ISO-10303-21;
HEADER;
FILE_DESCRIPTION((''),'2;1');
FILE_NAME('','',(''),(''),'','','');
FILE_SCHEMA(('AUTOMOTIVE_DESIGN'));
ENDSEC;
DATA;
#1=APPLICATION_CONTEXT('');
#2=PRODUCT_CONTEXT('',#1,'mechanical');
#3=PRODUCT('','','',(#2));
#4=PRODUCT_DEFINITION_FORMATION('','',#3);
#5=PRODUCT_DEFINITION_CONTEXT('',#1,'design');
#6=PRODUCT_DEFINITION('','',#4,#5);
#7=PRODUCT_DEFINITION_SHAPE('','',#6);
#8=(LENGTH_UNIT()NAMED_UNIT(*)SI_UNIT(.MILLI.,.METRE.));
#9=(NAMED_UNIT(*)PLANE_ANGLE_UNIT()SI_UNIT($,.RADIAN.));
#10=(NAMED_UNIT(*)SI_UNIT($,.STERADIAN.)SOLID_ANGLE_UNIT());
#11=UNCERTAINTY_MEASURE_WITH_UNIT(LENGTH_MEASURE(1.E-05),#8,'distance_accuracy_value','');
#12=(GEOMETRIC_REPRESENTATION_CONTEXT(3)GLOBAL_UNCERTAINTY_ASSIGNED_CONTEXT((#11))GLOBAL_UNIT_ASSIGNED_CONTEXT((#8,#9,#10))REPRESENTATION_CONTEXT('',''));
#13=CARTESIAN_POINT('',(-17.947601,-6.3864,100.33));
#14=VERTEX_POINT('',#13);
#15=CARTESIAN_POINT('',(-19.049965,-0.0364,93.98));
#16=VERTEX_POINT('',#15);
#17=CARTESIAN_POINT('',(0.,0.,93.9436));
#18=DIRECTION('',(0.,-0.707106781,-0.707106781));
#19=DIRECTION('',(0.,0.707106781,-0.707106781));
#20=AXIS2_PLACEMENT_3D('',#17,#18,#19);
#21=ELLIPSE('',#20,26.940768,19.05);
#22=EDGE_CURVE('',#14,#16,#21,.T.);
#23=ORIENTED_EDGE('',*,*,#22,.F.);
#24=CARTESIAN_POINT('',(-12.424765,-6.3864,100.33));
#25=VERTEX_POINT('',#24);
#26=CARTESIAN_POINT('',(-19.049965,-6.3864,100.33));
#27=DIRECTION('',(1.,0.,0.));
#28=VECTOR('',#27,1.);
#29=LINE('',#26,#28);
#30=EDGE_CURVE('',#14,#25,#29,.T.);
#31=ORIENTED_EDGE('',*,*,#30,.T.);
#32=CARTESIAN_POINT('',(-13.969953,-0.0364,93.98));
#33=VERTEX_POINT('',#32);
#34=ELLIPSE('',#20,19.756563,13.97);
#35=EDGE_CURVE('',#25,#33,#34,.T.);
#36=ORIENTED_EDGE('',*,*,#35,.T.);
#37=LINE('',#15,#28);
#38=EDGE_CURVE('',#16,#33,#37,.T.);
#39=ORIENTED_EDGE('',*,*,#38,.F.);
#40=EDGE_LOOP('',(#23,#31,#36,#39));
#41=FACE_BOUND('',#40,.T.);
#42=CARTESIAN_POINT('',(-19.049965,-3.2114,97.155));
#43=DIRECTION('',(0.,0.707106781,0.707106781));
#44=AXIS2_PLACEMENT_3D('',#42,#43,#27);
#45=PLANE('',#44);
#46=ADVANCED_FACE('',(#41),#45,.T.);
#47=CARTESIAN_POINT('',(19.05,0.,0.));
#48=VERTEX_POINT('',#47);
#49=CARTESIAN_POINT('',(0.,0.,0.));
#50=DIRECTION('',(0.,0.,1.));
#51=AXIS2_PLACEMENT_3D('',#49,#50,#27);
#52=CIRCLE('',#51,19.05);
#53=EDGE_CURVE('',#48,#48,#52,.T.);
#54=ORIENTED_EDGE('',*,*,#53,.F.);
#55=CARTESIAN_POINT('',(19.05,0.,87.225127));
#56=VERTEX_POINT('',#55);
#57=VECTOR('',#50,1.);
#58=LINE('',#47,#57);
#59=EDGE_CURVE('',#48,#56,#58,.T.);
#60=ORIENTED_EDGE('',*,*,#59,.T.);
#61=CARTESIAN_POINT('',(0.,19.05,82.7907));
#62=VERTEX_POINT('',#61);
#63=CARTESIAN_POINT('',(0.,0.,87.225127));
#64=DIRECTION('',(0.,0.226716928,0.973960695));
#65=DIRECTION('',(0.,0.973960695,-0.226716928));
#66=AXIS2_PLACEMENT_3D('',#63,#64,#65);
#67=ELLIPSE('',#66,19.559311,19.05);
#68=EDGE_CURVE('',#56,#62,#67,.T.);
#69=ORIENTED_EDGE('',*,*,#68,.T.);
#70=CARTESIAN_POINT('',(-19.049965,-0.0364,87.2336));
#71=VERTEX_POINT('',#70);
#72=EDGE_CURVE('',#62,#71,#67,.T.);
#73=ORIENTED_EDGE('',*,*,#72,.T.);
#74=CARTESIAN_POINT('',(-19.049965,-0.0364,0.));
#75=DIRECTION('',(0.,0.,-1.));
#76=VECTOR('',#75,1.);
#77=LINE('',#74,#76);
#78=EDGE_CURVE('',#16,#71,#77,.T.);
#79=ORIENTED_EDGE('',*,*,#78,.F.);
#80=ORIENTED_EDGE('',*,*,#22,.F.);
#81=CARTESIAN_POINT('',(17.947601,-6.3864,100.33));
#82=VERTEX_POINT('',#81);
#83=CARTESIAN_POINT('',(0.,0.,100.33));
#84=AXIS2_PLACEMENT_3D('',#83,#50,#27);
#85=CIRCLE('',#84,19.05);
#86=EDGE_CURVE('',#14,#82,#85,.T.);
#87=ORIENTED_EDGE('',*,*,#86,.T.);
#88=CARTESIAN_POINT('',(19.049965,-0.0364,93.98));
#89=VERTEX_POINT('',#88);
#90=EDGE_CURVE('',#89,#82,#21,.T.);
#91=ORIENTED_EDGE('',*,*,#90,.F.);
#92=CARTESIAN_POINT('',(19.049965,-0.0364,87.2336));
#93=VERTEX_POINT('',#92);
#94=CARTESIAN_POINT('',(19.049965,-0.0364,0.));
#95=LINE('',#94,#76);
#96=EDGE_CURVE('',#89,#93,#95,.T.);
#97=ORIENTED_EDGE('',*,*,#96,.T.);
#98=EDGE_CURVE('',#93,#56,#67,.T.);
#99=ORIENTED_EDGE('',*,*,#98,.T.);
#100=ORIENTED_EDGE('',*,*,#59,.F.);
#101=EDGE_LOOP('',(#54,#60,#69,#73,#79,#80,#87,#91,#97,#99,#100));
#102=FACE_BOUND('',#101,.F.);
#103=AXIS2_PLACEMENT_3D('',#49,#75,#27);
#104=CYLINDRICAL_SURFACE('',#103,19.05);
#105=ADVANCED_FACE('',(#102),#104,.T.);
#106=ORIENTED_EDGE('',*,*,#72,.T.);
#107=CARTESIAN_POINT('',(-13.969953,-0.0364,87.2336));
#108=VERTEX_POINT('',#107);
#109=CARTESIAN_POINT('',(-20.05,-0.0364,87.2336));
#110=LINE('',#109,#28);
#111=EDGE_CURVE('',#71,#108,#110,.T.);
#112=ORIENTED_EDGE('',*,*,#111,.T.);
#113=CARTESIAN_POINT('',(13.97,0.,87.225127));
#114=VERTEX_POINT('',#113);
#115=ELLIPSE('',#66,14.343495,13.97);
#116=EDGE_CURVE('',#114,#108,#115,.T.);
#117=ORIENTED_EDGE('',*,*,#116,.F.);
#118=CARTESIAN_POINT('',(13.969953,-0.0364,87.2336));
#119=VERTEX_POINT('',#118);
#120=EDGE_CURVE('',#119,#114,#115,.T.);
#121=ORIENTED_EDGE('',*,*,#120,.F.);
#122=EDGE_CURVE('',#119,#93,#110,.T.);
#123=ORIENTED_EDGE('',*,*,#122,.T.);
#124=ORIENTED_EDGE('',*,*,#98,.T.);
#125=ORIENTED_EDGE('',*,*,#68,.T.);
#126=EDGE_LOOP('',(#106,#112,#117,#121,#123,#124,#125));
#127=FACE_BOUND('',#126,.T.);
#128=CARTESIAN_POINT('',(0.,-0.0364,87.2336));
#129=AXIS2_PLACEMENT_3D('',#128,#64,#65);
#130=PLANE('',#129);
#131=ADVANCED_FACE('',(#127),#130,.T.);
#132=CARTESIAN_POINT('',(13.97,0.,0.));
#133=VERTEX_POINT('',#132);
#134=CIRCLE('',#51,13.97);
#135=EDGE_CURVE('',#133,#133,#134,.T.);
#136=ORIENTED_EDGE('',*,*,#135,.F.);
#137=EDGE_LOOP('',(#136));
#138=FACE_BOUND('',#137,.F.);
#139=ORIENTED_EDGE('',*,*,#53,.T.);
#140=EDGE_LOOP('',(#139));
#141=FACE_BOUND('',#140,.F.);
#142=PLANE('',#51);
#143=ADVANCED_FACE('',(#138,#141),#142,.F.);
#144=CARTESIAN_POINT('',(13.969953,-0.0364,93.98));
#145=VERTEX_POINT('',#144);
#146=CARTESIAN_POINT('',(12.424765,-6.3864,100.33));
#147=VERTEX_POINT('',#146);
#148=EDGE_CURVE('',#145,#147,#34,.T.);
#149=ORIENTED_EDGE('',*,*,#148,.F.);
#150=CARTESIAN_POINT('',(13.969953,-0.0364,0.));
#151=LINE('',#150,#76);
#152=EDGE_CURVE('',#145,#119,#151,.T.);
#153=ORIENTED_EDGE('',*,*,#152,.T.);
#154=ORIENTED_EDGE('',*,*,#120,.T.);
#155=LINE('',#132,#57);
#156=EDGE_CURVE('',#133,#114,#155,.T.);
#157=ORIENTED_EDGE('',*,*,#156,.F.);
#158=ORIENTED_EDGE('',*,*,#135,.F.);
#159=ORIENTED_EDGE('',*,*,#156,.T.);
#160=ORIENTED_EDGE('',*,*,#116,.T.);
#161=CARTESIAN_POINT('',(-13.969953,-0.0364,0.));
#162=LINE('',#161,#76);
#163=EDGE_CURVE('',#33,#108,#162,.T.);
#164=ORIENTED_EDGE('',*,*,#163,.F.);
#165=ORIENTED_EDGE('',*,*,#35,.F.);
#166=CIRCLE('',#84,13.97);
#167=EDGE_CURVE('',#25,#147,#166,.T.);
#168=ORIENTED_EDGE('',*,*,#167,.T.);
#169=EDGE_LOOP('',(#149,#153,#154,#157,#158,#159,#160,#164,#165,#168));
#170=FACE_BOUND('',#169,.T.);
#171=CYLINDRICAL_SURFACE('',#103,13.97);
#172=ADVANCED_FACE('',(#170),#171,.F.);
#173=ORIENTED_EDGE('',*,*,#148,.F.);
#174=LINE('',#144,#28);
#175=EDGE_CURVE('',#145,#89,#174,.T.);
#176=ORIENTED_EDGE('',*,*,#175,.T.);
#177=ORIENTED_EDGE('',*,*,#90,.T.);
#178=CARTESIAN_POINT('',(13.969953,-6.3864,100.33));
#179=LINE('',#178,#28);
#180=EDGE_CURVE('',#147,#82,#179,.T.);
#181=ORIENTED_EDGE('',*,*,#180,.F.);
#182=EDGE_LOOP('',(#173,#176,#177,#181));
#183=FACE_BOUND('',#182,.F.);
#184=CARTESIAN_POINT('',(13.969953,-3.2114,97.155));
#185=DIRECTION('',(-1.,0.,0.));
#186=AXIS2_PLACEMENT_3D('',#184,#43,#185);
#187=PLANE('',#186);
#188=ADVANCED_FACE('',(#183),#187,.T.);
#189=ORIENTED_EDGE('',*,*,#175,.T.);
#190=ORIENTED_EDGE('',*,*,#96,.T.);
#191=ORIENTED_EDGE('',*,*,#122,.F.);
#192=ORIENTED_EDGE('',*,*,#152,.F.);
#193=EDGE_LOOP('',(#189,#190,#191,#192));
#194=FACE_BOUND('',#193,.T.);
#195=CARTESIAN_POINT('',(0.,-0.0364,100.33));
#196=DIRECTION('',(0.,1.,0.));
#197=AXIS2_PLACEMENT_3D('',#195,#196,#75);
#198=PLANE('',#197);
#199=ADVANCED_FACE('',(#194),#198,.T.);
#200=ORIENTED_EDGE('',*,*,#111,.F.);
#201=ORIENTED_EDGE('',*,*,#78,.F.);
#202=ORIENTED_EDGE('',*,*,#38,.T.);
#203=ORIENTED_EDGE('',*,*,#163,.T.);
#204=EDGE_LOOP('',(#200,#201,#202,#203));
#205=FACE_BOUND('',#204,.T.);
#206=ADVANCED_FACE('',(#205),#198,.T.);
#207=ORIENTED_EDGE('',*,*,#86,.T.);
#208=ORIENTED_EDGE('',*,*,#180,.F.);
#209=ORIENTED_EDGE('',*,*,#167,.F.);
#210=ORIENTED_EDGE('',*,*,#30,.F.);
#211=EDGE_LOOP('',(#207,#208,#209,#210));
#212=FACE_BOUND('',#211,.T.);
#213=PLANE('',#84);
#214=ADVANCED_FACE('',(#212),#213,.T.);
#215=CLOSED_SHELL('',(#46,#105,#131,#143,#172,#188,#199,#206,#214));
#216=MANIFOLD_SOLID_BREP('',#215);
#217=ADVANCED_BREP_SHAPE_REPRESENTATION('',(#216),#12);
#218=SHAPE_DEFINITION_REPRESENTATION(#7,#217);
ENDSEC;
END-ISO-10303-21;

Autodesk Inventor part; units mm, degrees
ref_plane "YZ Plane" through (0, 0, 0) normal (1, 0, 0) x (0, 1, 0)
ref_plane "XZ Plane" through (0, 0, 0) normal (0, 1, 0) x (-1, 0, 0)
ref_plane "XY Plane" through (0, 0, 0) normal (0, 0, 1) x (1, 0, 0)
sketch "Sketch1" plane through (0, 0, 0) normal (0, 0, 1) x (1, 0, 0)
  circle A0 centre (0, 0) radius 13.97
  circle A1 centre (0, 0) radius 19.05
  dimension "d0" = 27.94
  dimension "d1" = 38.1
extrude "Extrusion1" add sketch "Sketch1" along normal blind 100.33
sketch "Sketch2" plane through (0, 0, 0) normal (1, 0, 0) x (0, 1, 0)
  line L0 (-19.05, 100.33) -> (19.05, 100.33) projected
  line L1 (19.05, 0) -> (19.05, 100.33) projected
  line L2 (-0.0364, 100.33) -> (-0.0364, 87.2336)
  line L3 (-0.0364, 87.2336) -> (19.05, 82.7907)
  line L4 (-0.0364, 100.33) -> (19.05, 100.33)
  point P0 (0, 0)
extrude "Extrusion2" cut sketch "Sketch2" along normal through all both and the other way through all
chamfer "Chamfer1" distance 6.35 angle 45 2 edges at (16.51, -0.0364, 100.33) (-16.51, -0.0364, 100.33)
